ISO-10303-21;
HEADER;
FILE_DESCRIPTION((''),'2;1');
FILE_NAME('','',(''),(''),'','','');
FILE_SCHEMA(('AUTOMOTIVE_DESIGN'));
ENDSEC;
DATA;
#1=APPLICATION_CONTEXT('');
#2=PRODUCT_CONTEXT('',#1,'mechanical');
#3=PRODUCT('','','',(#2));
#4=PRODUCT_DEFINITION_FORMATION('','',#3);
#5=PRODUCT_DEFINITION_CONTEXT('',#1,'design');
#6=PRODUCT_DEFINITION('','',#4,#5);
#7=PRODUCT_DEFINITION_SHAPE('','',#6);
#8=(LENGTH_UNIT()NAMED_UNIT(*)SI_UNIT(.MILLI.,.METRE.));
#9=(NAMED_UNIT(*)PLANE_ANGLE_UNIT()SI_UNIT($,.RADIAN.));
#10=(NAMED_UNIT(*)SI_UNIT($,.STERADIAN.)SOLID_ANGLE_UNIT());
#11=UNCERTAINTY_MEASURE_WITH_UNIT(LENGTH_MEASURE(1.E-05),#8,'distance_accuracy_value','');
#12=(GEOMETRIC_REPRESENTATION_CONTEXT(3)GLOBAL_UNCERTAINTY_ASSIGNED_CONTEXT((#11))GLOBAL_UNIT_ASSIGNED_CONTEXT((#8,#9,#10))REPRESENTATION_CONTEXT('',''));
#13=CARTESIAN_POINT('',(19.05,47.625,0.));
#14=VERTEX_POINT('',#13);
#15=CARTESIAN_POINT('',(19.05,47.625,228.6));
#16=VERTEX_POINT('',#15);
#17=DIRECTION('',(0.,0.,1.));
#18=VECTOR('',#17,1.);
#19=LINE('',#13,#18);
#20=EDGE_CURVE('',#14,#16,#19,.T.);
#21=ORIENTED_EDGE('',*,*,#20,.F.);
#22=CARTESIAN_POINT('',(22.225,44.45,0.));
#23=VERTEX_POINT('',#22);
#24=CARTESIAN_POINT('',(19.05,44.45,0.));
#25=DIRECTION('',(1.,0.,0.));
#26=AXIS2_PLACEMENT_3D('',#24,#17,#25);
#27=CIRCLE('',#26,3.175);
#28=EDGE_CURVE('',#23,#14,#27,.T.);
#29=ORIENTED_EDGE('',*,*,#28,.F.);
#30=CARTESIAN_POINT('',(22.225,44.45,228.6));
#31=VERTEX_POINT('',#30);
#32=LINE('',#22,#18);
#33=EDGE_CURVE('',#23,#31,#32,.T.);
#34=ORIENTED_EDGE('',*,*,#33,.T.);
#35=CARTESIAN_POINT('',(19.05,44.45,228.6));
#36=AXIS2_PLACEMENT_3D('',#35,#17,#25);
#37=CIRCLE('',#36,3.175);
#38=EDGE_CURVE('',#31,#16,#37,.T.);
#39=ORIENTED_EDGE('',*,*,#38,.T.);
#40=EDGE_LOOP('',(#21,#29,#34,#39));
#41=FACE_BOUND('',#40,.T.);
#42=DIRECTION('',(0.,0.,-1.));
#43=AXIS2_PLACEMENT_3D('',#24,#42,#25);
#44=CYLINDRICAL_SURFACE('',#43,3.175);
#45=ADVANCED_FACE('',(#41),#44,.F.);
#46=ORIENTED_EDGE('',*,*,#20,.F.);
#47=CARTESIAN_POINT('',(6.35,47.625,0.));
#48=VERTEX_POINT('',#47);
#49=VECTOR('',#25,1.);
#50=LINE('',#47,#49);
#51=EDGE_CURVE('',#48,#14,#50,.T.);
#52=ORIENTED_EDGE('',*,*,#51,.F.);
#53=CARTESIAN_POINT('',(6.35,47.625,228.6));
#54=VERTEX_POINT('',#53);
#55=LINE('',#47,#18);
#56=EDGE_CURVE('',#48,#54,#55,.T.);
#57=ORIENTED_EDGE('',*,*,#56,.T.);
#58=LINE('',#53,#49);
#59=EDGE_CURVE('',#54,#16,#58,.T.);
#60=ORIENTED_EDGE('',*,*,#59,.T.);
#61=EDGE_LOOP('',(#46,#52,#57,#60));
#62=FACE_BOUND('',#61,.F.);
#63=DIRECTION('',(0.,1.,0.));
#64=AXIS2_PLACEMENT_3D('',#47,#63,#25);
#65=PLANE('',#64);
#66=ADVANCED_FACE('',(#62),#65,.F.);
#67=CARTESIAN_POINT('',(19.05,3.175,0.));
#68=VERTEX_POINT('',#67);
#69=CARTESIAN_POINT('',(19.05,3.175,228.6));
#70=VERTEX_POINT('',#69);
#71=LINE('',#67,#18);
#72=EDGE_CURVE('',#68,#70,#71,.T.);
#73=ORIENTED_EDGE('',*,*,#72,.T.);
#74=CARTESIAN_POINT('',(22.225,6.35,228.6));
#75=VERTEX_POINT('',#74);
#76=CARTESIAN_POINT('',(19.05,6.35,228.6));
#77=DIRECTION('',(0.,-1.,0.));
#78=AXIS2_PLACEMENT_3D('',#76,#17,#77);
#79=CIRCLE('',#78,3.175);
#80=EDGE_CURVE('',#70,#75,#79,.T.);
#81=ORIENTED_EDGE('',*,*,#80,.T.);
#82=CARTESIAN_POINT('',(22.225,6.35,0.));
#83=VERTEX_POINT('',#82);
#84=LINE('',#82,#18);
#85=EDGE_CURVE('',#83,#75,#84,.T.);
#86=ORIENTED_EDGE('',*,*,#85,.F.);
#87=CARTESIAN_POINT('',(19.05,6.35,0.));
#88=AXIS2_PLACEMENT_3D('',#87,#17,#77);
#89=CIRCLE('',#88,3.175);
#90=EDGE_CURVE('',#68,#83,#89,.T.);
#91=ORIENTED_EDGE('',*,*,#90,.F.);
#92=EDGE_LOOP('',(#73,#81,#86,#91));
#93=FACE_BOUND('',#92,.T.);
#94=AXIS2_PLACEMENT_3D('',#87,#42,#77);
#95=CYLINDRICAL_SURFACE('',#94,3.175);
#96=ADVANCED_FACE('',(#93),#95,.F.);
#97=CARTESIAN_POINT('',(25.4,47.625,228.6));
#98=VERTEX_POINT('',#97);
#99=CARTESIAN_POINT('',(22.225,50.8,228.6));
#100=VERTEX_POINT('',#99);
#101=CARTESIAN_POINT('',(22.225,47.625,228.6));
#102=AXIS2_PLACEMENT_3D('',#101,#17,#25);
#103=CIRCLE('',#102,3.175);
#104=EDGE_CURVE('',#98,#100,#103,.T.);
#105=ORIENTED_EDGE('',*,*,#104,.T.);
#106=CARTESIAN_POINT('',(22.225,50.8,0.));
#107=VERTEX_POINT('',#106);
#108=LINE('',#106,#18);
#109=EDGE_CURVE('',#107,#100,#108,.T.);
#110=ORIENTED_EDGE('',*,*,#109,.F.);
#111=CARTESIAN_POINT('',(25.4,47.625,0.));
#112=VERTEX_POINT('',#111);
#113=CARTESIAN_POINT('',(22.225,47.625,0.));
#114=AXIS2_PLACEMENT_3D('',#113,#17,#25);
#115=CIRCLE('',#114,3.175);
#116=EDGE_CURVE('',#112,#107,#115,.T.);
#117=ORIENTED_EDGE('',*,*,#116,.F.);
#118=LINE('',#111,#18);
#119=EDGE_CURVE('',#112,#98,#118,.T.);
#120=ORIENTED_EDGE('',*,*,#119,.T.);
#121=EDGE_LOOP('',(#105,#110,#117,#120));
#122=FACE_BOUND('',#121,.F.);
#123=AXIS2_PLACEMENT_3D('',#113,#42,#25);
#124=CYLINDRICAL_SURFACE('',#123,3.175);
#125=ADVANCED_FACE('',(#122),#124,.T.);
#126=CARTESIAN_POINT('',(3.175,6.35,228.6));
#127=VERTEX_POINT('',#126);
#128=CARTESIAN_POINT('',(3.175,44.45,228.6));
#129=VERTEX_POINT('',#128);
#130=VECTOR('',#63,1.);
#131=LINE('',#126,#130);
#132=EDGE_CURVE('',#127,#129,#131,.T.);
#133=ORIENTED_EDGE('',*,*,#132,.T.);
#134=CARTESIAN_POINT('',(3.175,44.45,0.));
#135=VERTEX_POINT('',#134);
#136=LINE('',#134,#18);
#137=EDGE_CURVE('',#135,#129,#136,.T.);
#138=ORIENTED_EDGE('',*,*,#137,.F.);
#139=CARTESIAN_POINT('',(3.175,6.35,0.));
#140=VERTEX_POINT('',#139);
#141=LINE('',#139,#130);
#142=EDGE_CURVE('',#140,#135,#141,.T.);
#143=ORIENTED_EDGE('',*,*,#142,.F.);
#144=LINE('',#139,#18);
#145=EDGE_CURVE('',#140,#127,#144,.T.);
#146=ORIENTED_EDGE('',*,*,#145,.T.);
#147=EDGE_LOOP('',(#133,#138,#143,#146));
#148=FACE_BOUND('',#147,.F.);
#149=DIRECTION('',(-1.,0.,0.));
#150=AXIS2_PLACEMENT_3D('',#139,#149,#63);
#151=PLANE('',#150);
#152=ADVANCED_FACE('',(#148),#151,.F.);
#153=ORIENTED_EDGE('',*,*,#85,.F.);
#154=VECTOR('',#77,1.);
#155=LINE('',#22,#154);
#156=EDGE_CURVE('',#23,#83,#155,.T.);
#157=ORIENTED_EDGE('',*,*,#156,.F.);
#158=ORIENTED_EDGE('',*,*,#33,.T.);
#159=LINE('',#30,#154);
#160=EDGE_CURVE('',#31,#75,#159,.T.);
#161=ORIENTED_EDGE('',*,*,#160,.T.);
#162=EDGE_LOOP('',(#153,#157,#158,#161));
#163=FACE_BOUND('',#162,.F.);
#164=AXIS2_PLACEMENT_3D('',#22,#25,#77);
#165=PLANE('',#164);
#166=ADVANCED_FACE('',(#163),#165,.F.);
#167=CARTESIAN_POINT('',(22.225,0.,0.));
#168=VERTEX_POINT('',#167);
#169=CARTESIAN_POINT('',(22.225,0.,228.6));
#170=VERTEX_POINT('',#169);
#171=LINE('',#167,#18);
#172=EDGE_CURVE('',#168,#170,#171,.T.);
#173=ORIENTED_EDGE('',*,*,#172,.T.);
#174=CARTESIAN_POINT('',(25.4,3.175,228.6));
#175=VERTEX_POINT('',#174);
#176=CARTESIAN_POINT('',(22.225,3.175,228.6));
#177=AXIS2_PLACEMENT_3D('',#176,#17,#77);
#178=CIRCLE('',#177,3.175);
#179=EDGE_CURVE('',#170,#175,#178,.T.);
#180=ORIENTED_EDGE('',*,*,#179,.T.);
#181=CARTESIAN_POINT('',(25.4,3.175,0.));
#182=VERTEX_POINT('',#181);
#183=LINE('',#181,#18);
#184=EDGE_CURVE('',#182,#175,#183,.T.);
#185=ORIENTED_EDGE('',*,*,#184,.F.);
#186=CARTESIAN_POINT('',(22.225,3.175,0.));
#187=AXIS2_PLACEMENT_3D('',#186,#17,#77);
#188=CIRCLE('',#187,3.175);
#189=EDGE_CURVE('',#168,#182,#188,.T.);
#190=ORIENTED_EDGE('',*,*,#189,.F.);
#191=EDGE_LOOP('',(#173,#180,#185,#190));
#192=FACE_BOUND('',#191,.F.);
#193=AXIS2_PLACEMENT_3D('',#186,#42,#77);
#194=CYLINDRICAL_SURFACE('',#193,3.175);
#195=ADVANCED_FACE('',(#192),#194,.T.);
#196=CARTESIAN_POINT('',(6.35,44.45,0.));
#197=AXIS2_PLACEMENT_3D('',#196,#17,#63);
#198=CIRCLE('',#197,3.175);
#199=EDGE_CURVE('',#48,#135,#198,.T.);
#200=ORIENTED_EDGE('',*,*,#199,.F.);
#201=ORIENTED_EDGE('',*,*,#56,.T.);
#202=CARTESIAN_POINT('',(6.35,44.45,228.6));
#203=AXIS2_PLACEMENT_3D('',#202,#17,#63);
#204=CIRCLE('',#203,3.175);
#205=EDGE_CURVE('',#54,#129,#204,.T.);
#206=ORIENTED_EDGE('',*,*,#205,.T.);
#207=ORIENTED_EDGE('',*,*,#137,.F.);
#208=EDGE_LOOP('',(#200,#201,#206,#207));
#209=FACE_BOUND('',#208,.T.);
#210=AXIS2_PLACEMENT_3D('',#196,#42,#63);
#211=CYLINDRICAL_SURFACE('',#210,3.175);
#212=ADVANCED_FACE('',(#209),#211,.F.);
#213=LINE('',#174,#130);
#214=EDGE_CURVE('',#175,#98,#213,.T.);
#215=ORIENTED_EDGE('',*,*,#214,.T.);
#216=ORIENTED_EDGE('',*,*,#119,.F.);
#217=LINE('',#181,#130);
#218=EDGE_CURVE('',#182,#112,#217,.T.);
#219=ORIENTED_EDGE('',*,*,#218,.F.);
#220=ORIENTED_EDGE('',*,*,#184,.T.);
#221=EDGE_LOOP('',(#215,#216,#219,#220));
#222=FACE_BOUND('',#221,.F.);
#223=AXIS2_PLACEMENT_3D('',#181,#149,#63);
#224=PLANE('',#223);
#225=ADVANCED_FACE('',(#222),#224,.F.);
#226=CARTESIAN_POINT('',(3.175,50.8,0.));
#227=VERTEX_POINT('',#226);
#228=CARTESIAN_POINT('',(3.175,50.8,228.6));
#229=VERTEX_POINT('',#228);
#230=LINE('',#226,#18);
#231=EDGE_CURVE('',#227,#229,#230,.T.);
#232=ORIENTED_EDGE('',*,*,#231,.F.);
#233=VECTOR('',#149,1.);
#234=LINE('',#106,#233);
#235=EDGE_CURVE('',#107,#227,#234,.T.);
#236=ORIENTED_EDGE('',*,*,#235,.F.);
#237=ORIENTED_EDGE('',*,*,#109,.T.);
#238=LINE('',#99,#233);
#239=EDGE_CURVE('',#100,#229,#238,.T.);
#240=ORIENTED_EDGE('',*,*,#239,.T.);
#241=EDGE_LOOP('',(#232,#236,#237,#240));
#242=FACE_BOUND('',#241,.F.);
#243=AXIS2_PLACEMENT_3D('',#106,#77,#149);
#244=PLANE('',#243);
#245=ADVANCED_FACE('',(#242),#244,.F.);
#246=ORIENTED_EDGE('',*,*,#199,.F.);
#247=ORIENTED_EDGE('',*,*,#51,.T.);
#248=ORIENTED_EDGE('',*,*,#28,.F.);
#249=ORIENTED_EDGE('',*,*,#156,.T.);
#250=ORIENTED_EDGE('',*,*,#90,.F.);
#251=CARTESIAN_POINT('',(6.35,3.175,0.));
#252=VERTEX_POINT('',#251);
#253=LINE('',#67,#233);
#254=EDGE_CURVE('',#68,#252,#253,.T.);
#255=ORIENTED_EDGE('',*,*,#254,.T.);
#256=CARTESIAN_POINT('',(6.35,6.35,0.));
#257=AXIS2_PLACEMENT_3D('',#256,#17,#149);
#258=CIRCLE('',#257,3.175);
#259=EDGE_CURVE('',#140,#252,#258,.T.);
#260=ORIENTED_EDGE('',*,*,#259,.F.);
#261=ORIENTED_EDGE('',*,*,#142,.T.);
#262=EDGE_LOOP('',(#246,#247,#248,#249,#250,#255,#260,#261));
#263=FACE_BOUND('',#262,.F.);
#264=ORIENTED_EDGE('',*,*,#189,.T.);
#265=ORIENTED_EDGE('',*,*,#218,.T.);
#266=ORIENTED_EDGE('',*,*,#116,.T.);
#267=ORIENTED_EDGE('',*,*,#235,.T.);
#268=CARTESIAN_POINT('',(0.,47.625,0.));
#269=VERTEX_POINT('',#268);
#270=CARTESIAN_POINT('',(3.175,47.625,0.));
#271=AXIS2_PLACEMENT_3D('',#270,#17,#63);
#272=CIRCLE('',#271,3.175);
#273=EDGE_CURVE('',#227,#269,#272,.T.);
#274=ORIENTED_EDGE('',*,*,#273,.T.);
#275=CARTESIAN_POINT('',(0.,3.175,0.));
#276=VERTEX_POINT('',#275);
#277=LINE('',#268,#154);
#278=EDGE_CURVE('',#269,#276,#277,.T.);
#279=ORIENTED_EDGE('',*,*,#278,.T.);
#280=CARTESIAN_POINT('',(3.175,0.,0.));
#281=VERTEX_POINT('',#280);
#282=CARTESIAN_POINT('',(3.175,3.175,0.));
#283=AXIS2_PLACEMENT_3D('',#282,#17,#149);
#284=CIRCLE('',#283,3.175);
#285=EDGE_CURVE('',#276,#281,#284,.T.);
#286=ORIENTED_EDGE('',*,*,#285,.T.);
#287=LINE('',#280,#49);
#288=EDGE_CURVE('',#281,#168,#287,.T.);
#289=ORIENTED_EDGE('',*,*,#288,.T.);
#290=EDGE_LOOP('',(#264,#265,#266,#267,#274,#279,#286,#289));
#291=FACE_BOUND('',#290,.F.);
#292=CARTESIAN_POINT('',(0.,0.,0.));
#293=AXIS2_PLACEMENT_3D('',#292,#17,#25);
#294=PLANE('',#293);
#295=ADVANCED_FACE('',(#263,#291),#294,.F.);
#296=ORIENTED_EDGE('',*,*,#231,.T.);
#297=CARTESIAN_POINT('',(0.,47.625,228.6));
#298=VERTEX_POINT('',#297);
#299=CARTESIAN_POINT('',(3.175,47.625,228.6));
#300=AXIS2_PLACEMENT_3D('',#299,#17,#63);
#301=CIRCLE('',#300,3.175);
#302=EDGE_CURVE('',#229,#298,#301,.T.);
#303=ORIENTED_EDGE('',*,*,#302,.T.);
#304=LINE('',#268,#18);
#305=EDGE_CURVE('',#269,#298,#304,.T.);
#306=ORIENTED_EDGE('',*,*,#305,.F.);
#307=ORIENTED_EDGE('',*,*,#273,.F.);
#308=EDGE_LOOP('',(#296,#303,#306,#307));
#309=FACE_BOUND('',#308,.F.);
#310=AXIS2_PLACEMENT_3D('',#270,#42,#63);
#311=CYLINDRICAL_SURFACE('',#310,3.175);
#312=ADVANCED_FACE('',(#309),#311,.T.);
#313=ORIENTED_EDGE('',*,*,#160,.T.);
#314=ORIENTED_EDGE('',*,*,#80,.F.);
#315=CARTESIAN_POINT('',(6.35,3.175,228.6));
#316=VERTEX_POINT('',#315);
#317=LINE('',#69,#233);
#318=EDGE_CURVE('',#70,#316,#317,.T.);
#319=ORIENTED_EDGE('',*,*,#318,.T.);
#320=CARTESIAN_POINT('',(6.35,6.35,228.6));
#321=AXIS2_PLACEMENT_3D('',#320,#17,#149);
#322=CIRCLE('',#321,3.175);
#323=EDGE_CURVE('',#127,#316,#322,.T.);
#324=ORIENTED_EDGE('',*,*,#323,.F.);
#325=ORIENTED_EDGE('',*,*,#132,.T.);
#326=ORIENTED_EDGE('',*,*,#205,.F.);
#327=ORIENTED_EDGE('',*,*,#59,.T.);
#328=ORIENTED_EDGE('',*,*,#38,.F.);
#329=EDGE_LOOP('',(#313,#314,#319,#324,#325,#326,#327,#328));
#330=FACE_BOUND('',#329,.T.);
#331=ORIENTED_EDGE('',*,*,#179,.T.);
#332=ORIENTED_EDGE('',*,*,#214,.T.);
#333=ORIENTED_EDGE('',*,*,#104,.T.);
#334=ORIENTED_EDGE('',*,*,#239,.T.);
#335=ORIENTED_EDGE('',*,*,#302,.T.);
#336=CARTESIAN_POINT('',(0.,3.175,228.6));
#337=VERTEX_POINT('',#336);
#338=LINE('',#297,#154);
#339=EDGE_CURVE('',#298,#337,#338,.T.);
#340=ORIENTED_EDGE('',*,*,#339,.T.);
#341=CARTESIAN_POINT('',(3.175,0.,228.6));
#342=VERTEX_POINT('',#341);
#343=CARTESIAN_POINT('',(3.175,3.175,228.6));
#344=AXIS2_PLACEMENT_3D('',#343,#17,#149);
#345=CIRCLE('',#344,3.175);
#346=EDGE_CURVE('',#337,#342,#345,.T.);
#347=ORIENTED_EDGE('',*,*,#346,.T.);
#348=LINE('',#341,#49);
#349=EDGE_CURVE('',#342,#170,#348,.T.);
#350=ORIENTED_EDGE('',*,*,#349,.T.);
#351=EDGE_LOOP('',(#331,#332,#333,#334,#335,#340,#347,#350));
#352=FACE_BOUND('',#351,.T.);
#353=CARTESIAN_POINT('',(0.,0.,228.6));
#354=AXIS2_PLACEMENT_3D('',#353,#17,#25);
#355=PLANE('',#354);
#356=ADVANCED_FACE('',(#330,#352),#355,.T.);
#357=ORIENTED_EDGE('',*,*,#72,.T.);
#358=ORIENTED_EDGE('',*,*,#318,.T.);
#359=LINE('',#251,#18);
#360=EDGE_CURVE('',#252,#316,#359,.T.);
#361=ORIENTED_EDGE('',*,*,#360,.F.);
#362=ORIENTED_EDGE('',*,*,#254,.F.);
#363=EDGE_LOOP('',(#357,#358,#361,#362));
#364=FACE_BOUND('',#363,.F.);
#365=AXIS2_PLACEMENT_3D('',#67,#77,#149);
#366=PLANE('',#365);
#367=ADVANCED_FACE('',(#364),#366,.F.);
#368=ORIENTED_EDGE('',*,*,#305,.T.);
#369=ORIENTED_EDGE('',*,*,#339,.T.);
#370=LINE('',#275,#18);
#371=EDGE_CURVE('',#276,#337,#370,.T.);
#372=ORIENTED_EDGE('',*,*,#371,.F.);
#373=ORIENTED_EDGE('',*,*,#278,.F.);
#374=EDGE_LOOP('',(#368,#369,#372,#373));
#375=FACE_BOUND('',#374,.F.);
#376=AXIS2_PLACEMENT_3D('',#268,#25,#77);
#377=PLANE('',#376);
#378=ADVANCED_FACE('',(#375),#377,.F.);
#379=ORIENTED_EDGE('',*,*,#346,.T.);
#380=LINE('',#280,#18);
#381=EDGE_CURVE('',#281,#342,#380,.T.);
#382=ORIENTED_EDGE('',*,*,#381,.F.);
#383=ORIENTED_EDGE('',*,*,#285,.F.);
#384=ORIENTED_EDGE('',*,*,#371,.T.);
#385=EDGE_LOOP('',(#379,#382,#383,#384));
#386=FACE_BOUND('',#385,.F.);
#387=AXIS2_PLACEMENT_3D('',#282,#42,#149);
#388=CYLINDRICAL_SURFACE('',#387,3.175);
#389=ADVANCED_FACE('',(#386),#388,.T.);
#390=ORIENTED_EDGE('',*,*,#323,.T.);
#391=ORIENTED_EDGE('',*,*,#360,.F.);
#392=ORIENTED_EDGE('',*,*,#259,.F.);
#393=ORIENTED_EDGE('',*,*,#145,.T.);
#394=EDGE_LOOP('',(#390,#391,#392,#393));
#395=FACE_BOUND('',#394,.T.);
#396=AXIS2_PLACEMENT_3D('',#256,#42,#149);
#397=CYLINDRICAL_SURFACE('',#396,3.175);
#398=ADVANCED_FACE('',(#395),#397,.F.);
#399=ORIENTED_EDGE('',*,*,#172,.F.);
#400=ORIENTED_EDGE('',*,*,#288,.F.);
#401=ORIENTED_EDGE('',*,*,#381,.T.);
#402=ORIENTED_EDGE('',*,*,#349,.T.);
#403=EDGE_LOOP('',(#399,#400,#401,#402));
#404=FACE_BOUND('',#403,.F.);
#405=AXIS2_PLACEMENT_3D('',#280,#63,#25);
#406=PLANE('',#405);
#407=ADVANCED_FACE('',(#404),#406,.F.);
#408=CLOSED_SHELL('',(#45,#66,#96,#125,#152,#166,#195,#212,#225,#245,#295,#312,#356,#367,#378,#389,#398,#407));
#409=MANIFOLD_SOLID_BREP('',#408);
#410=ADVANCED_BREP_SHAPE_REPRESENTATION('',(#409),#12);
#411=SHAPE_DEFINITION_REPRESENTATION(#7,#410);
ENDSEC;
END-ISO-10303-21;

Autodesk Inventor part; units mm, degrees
ref_plane "YZ Plane" through (0, 0, 0) normal (1, 0, 0) x (0, 1, 0)
ref_plane "XZ Plane" through (0, 0, 0) normal (0, 1, 0) x (-1, 0, 0)
ref_plane "XY Plane" through (0, 0, 0) normal (0, 0, 1) x (1, 0, 0)
sketch "Sketch1" plane through (0, 0, 0) normal (0, 0, 1) x (1, 0, 0)
  line L0 (3.175, 0) -> (22.225, 0)
  line L1 (25.4, 3.175) -> (25.4, 47.625)
  line L2 (22.225, 50.8) -> (3.175, 50.8)
  line L3 (0, 47.625) -> (0, 3.175)
  arc A0 (3.175, 50.8) -> (0, 47.625) centre (3.175, 47.625) ccw
  arc A1 (25.4, 47.625) -> (22.225, 50.8) centre (22.225, 47.625) ccw
  arc A2 (22.225, 0) -> (25.4, 3.175) centre (22.225, 3.175) ccw
  arc A3 (0, 3.175) -> (3.175, 0) centre (3.175, 3.175) ccw
  line L4 (6.35, 47.625) -> (19.05, 47.625)
  line L5 (22.225, 44.45) -> (22.225, 6.35)
  line L6 (19.05, 3.175) -> (6.35, 3.175)
  line L7 (3.175, 6.35) -> (3.175, 44.45)
  arc A4 (6.35, 47.625) -> (3.175, 44.45) centre (6.35, 44.45) ccw
  arc A5 (22.225, 44.45) -> (19.05, 47.625) centre (19.05, 44.45) ccw
  arc A6 (3.175, 6.35) -> (6.35, 3.175) centre (6.35, 6.35) ccw
  arc A7 (19.05, 3.175) -> (22.225, 6.35) centre (19.05, 6.35) ccw
  point P0 (0, 0)
  point P1 (25.4, 0)
  point P2 (0, 50.8)
  dimension "d0" = 50.8
  dimension "d1" = 25.4
  dimension "d2" = 3.175
  dimension "d3" = 3.175
  dimension "d4" = 3.175
  dimension "d5" = 3.175
  dimension "d6" = 3.175
  dimension "d7" = 3.175
  dimension "d8" = 3.175
  dimension "d9" = 3.175
  dimension "d10" = 3.175
extrude "Extrusion1" add sketch "Sketch1" along normal blind 228.6
properties part number "O channel 9 inch"
